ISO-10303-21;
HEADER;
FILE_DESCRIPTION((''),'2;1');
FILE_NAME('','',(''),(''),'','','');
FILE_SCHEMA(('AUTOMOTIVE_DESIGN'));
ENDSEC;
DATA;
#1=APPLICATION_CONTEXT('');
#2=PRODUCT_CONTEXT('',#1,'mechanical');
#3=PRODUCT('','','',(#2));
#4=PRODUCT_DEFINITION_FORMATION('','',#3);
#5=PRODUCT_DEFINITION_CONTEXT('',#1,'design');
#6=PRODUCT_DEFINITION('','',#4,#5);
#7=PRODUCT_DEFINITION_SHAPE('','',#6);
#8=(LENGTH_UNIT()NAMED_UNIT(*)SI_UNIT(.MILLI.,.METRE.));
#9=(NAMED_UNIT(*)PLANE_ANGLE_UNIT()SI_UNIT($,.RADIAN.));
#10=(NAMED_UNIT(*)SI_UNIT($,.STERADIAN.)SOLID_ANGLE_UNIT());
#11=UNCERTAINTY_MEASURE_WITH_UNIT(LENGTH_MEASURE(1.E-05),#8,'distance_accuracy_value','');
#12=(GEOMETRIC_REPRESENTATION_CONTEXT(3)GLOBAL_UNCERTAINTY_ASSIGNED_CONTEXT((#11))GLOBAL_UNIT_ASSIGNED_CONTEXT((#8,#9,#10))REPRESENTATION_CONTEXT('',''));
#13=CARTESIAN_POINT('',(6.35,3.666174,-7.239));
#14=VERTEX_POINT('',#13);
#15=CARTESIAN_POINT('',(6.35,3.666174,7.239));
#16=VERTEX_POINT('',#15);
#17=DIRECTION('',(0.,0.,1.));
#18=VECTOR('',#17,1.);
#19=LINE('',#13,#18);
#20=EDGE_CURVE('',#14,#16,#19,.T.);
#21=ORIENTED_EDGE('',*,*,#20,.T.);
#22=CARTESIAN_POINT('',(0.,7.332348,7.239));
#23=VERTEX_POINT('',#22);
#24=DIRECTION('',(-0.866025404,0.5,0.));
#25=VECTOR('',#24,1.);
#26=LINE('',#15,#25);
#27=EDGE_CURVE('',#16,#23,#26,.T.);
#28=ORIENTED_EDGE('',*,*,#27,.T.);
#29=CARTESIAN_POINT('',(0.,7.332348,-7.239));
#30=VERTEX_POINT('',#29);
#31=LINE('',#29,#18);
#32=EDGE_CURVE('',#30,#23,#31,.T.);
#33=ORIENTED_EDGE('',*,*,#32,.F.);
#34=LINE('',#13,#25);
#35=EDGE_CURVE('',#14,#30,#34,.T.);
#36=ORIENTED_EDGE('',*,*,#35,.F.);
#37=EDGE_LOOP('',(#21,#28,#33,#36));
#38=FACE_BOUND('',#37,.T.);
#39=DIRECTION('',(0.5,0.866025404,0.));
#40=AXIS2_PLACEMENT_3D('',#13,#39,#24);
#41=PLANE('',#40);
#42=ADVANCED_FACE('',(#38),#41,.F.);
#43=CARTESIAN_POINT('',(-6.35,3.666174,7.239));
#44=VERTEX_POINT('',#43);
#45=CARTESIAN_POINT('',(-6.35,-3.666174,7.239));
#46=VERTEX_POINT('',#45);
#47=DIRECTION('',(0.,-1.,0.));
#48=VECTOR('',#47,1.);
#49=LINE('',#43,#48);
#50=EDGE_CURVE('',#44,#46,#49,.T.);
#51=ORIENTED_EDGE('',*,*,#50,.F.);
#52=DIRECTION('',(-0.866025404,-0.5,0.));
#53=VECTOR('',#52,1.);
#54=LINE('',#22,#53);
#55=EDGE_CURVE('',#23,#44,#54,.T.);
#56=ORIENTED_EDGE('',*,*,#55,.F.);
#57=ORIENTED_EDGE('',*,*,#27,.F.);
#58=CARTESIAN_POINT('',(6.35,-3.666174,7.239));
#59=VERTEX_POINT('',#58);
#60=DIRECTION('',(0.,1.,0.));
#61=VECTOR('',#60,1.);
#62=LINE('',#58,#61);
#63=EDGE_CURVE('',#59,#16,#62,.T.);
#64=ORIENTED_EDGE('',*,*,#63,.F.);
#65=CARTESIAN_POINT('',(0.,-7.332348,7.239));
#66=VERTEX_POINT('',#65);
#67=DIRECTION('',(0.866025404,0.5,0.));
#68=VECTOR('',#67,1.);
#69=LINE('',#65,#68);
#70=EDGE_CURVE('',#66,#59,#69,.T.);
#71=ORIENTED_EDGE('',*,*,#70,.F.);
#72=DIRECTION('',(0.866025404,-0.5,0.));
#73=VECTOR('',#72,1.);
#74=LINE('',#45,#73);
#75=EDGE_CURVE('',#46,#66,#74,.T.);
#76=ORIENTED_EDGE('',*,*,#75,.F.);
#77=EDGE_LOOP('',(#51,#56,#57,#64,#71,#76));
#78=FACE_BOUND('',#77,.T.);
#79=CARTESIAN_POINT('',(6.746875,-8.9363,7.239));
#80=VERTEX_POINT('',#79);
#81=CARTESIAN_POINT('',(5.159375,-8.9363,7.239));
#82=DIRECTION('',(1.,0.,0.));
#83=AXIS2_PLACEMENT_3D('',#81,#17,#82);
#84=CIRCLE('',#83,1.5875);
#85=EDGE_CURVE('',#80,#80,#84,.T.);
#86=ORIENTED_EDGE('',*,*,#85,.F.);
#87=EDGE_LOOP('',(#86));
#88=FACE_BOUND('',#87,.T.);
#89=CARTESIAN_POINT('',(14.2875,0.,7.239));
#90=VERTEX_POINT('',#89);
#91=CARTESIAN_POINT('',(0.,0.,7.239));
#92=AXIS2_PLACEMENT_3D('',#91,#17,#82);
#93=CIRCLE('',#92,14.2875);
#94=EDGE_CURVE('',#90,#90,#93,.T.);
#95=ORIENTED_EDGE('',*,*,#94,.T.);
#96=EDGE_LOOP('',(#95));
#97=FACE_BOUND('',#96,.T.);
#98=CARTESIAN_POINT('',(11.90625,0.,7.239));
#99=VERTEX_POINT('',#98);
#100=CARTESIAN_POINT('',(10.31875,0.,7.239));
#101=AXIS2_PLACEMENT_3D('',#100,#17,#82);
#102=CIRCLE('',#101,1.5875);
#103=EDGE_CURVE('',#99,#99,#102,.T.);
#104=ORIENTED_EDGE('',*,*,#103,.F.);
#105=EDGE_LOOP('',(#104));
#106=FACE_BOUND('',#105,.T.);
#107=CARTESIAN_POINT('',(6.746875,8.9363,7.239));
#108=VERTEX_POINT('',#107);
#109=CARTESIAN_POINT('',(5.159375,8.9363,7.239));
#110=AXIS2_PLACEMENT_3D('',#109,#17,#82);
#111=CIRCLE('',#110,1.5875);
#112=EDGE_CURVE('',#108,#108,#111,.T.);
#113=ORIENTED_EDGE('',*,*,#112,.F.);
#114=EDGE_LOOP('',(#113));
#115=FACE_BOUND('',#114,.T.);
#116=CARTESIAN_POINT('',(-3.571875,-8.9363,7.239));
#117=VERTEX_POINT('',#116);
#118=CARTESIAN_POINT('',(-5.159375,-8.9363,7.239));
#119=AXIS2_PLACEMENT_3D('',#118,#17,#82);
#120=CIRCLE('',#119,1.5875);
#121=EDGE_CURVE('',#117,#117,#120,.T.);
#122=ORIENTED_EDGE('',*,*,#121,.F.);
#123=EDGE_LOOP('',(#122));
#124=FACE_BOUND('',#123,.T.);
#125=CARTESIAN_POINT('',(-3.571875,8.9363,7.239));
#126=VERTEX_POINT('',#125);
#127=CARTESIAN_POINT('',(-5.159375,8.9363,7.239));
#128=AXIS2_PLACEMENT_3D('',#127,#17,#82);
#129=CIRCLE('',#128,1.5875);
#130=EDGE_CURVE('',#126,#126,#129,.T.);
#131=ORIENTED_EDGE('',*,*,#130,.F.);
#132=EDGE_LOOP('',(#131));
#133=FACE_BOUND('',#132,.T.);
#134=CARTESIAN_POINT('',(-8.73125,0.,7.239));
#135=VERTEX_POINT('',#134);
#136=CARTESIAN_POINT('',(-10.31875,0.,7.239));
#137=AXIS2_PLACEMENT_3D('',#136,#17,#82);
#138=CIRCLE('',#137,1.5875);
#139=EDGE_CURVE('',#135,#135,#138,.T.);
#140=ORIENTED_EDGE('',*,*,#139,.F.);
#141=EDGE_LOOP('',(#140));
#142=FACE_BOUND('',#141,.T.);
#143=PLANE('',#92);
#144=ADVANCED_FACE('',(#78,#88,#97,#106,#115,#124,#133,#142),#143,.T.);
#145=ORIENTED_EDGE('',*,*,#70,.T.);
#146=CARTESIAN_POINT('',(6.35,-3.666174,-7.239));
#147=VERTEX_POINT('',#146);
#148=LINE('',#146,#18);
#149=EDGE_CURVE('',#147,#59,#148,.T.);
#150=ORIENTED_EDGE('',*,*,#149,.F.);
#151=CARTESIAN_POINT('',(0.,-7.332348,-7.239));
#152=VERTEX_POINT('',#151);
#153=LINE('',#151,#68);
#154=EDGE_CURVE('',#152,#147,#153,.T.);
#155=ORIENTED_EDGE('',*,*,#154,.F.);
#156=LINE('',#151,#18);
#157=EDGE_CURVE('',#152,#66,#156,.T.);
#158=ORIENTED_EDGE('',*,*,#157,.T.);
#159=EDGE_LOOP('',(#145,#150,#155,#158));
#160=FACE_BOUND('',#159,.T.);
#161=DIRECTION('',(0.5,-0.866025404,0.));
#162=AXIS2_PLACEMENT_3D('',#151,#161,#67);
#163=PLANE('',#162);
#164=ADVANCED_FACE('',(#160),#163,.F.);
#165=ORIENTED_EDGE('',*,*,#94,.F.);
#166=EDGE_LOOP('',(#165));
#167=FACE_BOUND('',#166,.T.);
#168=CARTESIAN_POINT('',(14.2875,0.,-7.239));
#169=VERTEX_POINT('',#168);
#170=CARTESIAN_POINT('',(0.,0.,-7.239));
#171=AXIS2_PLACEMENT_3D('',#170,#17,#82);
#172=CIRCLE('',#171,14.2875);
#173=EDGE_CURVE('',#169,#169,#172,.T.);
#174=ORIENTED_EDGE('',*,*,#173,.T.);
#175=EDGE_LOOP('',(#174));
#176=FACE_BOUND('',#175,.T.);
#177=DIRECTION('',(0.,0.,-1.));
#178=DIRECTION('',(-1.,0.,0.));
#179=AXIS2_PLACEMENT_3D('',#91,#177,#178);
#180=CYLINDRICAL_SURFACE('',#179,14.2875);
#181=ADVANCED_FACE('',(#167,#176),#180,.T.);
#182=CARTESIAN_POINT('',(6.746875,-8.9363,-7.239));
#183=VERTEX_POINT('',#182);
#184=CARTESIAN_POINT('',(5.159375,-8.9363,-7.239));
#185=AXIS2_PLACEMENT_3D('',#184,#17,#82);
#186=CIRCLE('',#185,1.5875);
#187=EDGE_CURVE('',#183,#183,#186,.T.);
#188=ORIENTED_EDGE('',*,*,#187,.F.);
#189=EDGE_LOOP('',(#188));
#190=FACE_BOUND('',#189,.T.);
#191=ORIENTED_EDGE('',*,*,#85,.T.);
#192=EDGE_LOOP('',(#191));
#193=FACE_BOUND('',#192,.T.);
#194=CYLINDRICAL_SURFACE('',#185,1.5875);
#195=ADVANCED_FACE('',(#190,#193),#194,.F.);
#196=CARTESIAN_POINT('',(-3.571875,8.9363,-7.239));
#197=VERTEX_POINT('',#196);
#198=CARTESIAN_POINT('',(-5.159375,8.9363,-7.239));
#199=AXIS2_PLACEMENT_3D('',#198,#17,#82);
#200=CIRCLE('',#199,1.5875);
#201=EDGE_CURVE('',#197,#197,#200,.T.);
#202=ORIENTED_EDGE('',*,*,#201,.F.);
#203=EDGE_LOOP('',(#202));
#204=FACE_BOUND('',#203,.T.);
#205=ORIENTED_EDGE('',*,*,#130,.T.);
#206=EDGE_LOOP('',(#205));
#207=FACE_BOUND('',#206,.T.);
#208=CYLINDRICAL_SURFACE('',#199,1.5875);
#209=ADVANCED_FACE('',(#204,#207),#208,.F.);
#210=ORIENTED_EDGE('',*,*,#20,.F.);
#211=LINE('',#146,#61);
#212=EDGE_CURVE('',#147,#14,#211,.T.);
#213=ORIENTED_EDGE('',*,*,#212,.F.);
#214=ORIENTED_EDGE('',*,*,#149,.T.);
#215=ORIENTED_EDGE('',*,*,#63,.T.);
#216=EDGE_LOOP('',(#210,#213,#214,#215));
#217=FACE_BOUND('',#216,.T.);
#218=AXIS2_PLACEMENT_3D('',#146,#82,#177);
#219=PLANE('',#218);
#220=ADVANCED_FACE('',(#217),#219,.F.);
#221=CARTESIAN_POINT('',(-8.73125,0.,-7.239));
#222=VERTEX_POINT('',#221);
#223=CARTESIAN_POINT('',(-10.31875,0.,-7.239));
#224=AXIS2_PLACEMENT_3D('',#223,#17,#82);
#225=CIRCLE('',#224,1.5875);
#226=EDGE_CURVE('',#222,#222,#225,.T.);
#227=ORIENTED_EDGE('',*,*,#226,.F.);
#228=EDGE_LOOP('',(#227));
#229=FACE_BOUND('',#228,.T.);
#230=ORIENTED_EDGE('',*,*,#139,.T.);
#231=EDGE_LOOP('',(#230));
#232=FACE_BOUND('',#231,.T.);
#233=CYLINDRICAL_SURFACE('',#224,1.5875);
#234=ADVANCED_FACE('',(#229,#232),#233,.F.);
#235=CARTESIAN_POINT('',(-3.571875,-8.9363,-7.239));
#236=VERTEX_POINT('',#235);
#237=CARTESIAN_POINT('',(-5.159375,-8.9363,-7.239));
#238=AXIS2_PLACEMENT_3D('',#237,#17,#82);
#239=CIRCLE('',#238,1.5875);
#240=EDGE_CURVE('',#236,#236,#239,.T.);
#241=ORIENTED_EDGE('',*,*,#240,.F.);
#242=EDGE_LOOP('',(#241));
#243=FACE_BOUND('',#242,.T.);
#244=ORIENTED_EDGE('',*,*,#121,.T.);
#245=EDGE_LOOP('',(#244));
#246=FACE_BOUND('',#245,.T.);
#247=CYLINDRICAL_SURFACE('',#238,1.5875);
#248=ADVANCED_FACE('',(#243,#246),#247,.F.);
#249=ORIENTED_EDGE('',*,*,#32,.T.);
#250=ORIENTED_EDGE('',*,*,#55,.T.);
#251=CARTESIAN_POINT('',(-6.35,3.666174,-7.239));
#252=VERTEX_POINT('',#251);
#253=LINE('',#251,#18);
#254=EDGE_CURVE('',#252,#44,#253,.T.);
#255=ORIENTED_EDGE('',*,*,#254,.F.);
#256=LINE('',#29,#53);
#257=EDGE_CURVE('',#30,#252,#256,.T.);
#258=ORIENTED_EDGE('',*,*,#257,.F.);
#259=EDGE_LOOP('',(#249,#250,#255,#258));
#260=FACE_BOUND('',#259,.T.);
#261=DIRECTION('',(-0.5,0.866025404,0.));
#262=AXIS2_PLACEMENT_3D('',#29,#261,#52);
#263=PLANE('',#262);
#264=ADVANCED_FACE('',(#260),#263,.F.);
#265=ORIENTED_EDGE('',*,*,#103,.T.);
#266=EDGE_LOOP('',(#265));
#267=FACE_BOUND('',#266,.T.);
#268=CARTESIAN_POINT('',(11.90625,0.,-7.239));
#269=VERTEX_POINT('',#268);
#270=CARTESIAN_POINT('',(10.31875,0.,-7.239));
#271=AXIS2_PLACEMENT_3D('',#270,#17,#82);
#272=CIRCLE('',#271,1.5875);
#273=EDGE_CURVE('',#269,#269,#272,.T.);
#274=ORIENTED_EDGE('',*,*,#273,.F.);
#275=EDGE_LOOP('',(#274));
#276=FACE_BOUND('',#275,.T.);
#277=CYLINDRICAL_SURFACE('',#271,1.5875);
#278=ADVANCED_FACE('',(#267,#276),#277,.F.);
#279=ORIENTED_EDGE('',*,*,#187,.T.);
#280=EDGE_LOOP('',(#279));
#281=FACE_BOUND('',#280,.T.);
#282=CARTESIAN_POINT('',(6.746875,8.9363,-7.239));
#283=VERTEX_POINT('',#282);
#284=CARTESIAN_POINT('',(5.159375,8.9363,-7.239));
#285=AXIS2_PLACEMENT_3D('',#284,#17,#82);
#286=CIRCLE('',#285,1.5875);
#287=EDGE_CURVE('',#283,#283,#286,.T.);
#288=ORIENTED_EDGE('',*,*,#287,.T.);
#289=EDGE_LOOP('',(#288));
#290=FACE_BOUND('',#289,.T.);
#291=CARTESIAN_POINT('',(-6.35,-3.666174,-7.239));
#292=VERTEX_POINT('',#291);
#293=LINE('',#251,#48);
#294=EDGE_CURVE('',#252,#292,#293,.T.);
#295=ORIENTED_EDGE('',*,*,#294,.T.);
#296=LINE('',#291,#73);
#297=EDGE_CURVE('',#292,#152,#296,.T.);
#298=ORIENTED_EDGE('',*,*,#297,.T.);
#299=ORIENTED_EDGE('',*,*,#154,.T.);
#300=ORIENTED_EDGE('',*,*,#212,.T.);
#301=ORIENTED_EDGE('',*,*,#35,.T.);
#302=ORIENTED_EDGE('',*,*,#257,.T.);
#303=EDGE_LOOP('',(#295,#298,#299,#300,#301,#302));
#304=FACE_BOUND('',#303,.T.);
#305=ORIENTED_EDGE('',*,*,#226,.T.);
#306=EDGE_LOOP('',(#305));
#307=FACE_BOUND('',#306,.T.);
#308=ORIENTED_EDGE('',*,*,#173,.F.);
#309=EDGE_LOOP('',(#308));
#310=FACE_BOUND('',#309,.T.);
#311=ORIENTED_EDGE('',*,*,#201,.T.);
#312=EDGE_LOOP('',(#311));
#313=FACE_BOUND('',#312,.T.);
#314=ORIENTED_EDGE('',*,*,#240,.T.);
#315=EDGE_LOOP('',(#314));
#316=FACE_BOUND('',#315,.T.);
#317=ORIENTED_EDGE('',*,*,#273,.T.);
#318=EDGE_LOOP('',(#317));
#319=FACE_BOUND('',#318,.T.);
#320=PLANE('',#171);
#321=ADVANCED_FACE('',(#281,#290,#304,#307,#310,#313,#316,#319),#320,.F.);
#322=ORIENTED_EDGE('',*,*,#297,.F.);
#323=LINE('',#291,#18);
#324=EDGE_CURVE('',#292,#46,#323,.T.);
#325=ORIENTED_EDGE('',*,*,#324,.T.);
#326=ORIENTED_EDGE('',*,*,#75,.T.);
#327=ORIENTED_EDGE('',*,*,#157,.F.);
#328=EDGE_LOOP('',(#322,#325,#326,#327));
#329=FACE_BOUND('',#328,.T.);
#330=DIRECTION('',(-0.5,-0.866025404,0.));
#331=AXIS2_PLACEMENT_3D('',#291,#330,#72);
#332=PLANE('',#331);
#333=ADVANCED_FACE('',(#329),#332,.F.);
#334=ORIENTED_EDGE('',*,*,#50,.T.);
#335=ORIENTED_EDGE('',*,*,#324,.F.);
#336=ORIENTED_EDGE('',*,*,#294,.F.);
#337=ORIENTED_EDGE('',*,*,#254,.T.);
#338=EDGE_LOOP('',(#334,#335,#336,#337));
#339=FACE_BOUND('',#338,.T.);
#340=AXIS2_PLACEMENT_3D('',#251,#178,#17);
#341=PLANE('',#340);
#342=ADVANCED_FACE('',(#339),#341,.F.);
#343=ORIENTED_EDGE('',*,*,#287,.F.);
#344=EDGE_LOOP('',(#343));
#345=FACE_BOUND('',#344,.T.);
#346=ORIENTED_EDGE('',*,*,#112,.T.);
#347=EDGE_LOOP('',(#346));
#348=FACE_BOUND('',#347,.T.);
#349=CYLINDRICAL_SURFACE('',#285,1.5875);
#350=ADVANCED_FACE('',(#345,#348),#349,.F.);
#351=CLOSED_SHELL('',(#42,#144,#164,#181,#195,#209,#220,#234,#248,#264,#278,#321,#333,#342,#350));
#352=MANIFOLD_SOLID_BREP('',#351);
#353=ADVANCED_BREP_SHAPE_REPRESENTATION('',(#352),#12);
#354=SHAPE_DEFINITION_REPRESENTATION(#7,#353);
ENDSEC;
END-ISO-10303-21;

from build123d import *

# Parameters (mm, degrees)
SKETCH1_R           = 14.2875
BOSS_EXTRUDE1_DEPTH = 7.239
SKETCH2_R           = 1.5875
CUT_EXTRUDE1_DEPTH  = 25.857147795


with BuildPart() as part:
    # Sketch1 → Boss-Extrude1 (new, symmetric)
    with BuildSketch(Plane.XY):
        Circle(SKETCH1_R)
    extrude(amount=BOSS_EXTRUDE1_DEPTH, both=True)

    # Sketch2 → Cut-Extrude1 (cut, through all)
    with BuildSketch(Plane.XY.offset(7.239)):
        with Locations((-10.31875, 0)):
            Circle(SKETCH2_R)
        with Locations((-5.159375, 8.936299635)):
            Circle(SKETCH2_R)
        with Locations((5.159375, 8.936299635)):
            Circle(SKETCH2_R)
        with Locations((10.31875, 0)):
            Circle(SKETCH2_R)
        with Locations((5.159375, -8.936299635)):
            Circle(SKETCH2_R)
        with Locations((-5.159375, -8.936299635)):
            Circle(SKETCH2_R)
        Polygon((0, 7.332348419), (-6.35, 3.666174209), (-6.35, -3.666174209), (0, -7.332348419), (6.35, -3.666174209), (6.35, 3.666174209), align=None)
    extrude(amount=-CUT_EXTRUDE1_DEPTH, mode=Mode.SUBTRACT)


solid = part.part
